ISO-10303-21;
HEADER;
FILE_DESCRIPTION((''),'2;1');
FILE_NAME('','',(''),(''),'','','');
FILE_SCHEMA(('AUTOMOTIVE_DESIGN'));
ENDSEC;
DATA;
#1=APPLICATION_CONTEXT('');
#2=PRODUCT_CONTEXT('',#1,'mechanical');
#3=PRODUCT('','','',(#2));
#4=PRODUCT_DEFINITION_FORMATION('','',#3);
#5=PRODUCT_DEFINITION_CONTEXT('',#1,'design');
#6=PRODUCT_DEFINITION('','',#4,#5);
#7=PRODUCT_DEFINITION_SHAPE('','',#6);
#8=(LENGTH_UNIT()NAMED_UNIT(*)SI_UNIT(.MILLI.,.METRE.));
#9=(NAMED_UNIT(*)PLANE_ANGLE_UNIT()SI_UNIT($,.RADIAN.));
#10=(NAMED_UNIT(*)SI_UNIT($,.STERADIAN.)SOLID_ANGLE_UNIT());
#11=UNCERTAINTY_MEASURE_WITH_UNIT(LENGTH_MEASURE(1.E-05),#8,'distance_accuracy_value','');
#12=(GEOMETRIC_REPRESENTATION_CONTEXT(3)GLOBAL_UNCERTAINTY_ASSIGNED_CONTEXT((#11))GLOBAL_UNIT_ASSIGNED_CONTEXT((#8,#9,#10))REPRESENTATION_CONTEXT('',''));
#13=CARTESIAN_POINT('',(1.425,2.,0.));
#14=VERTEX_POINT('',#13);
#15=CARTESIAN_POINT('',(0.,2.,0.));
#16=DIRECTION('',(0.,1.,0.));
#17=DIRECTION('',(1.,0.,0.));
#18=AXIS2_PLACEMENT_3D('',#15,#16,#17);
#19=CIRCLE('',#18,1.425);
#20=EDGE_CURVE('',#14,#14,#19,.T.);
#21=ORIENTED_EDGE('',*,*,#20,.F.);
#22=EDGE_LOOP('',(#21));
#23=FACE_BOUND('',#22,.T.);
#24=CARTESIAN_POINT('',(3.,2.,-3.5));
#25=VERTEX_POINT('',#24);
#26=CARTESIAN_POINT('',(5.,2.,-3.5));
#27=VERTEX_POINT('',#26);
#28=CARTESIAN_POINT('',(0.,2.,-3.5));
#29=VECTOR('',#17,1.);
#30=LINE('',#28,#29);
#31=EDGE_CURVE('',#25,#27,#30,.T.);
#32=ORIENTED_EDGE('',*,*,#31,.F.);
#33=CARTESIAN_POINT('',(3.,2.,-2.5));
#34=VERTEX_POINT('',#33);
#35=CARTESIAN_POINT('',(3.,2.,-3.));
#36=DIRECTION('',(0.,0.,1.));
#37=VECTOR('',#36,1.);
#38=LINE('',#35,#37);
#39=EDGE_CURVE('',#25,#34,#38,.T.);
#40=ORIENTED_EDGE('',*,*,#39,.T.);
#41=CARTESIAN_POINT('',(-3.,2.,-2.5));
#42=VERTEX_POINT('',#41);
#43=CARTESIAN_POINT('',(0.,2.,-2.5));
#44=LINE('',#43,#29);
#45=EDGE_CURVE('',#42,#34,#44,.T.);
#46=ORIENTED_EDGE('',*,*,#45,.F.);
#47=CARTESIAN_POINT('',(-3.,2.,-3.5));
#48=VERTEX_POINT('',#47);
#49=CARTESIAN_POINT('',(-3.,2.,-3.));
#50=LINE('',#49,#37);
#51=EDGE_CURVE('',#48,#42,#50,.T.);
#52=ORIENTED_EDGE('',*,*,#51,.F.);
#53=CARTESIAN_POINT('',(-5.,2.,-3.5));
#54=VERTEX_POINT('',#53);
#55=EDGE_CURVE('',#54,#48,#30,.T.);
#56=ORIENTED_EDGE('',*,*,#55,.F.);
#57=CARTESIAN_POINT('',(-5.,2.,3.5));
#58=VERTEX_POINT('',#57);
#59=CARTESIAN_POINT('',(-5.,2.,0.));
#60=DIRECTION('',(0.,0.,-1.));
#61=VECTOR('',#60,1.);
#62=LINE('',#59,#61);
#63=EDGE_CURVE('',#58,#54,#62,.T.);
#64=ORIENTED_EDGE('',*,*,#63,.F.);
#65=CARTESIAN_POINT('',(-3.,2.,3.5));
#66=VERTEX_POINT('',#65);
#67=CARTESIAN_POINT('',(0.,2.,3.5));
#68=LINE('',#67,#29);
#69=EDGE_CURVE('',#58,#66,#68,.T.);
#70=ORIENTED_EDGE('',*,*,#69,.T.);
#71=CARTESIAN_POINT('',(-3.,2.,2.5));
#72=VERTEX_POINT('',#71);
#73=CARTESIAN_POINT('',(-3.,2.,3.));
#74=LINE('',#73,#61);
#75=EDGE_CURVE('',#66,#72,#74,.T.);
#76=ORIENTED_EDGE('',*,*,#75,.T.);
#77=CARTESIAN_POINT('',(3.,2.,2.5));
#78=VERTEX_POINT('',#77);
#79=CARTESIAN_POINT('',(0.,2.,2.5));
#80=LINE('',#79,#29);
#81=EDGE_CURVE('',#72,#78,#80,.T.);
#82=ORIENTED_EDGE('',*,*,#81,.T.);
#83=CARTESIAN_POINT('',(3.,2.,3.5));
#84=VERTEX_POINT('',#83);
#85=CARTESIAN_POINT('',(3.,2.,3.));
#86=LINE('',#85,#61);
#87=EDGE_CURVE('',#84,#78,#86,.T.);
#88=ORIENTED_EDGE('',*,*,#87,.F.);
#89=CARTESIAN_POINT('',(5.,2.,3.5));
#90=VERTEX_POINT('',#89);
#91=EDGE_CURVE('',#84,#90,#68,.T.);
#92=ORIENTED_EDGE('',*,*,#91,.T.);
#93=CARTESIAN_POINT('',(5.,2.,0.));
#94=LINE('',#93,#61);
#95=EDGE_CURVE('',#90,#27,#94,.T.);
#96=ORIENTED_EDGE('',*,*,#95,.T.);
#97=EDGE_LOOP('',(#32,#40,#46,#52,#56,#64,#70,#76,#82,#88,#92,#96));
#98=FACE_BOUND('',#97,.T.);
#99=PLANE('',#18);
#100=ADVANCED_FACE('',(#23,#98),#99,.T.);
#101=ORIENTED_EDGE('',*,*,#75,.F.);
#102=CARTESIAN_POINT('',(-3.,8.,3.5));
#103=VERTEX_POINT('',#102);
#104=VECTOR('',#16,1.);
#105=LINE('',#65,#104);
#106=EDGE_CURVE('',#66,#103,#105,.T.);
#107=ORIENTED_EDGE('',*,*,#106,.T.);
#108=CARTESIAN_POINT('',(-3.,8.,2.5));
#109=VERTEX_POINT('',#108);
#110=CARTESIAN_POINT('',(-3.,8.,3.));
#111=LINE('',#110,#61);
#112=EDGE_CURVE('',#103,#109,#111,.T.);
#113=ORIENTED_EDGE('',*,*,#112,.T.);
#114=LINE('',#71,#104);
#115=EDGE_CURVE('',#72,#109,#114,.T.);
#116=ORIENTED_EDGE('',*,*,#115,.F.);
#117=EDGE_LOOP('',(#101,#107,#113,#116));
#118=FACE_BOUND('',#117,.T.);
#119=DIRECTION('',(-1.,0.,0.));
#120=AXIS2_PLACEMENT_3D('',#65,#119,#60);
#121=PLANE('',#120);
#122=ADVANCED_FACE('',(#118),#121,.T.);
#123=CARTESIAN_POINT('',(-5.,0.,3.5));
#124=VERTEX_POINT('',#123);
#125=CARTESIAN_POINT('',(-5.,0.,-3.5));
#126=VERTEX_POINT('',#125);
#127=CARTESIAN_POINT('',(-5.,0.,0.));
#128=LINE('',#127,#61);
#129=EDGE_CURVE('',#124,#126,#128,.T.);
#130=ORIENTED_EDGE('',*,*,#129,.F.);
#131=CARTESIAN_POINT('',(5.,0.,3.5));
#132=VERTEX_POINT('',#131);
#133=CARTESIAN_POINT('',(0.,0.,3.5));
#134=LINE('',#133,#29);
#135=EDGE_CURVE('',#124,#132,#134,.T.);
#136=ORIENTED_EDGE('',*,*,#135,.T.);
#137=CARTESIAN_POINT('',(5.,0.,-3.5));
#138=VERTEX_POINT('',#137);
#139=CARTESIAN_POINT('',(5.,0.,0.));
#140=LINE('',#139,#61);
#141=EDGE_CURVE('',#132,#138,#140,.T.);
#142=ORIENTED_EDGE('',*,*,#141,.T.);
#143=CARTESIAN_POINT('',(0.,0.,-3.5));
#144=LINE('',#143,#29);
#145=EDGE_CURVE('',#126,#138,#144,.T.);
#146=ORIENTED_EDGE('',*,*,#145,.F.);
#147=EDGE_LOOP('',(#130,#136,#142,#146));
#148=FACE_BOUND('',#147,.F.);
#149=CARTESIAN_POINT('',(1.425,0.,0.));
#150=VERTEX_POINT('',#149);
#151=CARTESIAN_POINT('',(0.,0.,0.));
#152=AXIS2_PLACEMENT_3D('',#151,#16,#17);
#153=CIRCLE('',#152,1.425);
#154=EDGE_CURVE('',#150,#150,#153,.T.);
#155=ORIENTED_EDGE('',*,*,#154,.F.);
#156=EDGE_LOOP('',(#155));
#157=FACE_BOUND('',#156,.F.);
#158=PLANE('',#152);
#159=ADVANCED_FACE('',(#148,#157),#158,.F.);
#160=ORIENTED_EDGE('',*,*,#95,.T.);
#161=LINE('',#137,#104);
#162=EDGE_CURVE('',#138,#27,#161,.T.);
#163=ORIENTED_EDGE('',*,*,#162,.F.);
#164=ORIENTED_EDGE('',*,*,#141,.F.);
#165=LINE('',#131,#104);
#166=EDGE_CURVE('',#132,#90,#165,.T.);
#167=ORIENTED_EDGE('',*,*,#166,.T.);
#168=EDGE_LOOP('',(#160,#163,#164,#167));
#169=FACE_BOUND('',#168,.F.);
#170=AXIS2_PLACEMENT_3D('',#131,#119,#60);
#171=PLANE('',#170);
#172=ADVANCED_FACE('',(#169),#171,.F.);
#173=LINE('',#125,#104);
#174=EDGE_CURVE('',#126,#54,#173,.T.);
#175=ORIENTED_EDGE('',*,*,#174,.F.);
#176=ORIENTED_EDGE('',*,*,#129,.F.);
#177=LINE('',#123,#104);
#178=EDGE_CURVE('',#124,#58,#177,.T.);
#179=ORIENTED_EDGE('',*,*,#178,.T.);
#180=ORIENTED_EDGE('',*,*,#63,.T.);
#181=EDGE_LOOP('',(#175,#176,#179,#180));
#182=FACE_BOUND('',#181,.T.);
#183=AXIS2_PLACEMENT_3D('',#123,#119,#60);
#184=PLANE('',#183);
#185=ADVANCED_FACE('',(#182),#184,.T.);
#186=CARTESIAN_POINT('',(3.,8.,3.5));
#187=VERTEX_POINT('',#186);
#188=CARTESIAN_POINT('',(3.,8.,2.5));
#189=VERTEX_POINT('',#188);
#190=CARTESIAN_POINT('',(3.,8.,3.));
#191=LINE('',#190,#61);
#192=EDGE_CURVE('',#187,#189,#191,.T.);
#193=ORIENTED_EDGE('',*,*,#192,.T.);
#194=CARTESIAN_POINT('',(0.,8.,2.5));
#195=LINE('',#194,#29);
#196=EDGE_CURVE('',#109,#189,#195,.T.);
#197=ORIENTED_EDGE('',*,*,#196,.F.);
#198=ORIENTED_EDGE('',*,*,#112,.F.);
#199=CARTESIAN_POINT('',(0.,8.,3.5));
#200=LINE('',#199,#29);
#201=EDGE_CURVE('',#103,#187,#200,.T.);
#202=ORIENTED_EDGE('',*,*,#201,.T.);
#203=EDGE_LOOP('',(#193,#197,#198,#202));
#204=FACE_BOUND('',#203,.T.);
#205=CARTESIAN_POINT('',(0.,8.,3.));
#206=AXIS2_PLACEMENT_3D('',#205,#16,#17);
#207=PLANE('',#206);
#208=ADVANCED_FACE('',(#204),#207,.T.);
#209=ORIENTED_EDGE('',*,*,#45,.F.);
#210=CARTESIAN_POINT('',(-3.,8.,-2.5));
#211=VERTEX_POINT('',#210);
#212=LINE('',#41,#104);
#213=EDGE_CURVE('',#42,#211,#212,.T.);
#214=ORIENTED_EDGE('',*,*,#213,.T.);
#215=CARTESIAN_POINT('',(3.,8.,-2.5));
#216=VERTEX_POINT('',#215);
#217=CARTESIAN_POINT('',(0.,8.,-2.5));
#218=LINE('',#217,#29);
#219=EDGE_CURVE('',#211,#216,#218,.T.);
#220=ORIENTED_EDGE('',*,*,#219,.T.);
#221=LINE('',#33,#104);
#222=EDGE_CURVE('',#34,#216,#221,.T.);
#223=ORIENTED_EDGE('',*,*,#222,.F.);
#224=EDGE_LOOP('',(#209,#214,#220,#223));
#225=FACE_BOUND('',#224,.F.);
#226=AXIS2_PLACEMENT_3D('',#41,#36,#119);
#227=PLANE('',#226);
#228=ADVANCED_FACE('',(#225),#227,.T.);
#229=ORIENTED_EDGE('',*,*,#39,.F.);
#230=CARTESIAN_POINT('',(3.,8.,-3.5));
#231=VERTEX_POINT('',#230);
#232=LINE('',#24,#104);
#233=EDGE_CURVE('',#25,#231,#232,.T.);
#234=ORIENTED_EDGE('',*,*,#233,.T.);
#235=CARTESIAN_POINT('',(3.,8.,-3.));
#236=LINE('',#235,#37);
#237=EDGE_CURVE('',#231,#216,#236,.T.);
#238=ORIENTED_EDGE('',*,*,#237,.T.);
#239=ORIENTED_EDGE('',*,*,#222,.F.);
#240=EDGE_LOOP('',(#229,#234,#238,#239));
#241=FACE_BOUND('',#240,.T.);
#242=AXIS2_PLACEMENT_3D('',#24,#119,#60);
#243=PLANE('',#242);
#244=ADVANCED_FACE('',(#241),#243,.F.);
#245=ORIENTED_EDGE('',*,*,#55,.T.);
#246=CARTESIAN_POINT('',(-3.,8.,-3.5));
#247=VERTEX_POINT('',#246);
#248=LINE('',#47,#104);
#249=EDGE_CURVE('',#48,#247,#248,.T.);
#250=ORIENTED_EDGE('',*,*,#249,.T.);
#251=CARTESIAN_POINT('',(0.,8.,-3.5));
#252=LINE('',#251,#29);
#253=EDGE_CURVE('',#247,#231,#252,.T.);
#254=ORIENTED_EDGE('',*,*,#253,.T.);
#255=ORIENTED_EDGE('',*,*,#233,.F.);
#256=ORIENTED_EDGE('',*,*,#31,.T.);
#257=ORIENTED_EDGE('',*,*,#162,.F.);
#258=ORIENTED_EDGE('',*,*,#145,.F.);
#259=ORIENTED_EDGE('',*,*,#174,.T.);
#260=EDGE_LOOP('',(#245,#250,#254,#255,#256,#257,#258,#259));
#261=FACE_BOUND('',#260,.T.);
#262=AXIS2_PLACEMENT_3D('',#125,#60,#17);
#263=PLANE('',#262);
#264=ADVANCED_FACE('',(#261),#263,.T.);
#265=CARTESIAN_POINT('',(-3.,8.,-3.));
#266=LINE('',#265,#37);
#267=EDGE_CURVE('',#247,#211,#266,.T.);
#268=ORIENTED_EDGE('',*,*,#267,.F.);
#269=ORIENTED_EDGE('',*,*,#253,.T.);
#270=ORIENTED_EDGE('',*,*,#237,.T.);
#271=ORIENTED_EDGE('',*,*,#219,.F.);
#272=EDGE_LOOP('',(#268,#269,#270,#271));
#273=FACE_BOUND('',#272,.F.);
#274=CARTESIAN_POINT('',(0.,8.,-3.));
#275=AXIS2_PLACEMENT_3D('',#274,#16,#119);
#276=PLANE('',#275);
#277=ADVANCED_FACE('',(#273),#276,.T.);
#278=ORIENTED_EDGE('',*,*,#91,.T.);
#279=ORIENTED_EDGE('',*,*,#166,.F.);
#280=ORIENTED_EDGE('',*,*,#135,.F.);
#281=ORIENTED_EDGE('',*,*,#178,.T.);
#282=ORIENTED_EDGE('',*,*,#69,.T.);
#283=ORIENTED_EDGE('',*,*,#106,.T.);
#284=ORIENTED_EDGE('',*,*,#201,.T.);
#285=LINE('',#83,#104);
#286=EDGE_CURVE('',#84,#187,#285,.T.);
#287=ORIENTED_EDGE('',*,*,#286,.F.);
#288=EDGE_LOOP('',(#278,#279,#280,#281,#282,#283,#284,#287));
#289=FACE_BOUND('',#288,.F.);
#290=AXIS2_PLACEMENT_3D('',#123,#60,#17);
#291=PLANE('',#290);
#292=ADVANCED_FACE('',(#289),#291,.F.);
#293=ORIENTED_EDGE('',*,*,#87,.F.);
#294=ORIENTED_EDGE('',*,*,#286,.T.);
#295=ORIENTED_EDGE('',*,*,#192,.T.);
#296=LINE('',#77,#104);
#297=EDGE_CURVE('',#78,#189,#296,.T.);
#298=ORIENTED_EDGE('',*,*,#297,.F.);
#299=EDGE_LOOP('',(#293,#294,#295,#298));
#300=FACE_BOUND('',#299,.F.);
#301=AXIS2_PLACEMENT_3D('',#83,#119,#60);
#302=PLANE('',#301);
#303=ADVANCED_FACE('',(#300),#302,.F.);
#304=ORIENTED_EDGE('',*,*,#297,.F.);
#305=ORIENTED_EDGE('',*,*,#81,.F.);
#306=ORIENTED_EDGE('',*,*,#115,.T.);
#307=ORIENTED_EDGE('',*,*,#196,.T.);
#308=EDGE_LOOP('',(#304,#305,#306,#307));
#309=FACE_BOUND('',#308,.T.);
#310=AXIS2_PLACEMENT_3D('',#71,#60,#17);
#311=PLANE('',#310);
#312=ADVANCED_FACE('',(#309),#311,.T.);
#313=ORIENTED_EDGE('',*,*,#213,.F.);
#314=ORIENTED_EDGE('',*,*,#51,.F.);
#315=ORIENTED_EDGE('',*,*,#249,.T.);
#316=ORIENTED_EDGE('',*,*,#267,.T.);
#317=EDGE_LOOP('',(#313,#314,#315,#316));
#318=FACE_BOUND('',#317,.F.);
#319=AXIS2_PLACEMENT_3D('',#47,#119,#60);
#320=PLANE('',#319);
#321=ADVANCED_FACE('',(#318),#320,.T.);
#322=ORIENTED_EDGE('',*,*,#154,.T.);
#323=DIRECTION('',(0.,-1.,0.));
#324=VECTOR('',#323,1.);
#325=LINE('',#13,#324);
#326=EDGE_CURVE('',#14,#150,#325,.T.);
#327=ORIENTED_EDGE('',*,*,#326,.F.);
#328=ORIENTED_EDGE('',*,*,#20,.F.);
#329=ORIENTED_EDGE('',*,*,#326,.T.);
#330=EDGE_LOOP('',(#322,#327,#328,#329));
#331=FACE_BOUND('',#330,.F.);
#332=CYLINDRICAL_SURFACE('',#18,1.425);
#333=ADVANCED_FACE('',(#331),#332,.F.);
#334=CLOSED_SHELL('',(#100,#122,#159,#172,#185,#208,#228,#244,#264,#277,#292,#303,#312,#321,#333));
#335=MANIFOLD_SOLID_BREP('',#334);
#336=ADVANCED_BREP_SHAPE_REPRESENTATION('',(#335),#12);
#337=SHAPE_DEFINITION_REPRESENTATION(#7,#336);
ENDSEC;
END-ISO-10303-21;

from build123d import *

# Parameters (mm, degrees)
SKETCH1_W           = 10
SKETCH1_H           = 7
BOSS_EXTRUDE1_DEPTH = 2
SKETCH2_R           = 1.425
CUT_EXTRUDE1_DEPTH  = 2
SKETCH3_W           = 6
SKETCH3_H           = 1
BOSS_EXTRUDE2_DEPTH = 6


with BuildPart() as part:
    # Sketch1 → Boss-Extrude1 (new body)
    with BuildSketch(Plane(origin=(0, 0, 0), x_dir=(1, 0, 0), z_dir=(0, 1, 0))):
        Rectangle(SKETCH1_W, SKETCH1_H)
    extrude(amount=BOSS_EXTRUDE1_DEPTH)

    # Sketch2 → Cut-Extrude1 (cut)
    with BuildSketch(Plane(origin=(0, 2, 0), x_dir=(1, 0, 0), z_dir=(0, 1, 0))):
        Circle(SKETCH2_R)
    extrude(amount=-CUT_EXTRUDE1_DEPTH, mode=Mode.SUBTRACT)

    # Sketch3 → Boss-Extrude2 (add)
    with BuildSketch(Plane(origin=(0, 2, 0), x_dir=(1, 0, 0), z_dir=(0, 1, 0))):
        with Locations((0, -3)):
            Rectangle(SKETCH3_W, SKETCH3_H)
    boss_extrude2 = extrude(amount=BOSS_EXTRUDE2_DEPTH)

    # Mirror1: Boss-Extrude2 across plane
    add(boss_extrude2.mirror(Plane.XY))


solid = part.part
